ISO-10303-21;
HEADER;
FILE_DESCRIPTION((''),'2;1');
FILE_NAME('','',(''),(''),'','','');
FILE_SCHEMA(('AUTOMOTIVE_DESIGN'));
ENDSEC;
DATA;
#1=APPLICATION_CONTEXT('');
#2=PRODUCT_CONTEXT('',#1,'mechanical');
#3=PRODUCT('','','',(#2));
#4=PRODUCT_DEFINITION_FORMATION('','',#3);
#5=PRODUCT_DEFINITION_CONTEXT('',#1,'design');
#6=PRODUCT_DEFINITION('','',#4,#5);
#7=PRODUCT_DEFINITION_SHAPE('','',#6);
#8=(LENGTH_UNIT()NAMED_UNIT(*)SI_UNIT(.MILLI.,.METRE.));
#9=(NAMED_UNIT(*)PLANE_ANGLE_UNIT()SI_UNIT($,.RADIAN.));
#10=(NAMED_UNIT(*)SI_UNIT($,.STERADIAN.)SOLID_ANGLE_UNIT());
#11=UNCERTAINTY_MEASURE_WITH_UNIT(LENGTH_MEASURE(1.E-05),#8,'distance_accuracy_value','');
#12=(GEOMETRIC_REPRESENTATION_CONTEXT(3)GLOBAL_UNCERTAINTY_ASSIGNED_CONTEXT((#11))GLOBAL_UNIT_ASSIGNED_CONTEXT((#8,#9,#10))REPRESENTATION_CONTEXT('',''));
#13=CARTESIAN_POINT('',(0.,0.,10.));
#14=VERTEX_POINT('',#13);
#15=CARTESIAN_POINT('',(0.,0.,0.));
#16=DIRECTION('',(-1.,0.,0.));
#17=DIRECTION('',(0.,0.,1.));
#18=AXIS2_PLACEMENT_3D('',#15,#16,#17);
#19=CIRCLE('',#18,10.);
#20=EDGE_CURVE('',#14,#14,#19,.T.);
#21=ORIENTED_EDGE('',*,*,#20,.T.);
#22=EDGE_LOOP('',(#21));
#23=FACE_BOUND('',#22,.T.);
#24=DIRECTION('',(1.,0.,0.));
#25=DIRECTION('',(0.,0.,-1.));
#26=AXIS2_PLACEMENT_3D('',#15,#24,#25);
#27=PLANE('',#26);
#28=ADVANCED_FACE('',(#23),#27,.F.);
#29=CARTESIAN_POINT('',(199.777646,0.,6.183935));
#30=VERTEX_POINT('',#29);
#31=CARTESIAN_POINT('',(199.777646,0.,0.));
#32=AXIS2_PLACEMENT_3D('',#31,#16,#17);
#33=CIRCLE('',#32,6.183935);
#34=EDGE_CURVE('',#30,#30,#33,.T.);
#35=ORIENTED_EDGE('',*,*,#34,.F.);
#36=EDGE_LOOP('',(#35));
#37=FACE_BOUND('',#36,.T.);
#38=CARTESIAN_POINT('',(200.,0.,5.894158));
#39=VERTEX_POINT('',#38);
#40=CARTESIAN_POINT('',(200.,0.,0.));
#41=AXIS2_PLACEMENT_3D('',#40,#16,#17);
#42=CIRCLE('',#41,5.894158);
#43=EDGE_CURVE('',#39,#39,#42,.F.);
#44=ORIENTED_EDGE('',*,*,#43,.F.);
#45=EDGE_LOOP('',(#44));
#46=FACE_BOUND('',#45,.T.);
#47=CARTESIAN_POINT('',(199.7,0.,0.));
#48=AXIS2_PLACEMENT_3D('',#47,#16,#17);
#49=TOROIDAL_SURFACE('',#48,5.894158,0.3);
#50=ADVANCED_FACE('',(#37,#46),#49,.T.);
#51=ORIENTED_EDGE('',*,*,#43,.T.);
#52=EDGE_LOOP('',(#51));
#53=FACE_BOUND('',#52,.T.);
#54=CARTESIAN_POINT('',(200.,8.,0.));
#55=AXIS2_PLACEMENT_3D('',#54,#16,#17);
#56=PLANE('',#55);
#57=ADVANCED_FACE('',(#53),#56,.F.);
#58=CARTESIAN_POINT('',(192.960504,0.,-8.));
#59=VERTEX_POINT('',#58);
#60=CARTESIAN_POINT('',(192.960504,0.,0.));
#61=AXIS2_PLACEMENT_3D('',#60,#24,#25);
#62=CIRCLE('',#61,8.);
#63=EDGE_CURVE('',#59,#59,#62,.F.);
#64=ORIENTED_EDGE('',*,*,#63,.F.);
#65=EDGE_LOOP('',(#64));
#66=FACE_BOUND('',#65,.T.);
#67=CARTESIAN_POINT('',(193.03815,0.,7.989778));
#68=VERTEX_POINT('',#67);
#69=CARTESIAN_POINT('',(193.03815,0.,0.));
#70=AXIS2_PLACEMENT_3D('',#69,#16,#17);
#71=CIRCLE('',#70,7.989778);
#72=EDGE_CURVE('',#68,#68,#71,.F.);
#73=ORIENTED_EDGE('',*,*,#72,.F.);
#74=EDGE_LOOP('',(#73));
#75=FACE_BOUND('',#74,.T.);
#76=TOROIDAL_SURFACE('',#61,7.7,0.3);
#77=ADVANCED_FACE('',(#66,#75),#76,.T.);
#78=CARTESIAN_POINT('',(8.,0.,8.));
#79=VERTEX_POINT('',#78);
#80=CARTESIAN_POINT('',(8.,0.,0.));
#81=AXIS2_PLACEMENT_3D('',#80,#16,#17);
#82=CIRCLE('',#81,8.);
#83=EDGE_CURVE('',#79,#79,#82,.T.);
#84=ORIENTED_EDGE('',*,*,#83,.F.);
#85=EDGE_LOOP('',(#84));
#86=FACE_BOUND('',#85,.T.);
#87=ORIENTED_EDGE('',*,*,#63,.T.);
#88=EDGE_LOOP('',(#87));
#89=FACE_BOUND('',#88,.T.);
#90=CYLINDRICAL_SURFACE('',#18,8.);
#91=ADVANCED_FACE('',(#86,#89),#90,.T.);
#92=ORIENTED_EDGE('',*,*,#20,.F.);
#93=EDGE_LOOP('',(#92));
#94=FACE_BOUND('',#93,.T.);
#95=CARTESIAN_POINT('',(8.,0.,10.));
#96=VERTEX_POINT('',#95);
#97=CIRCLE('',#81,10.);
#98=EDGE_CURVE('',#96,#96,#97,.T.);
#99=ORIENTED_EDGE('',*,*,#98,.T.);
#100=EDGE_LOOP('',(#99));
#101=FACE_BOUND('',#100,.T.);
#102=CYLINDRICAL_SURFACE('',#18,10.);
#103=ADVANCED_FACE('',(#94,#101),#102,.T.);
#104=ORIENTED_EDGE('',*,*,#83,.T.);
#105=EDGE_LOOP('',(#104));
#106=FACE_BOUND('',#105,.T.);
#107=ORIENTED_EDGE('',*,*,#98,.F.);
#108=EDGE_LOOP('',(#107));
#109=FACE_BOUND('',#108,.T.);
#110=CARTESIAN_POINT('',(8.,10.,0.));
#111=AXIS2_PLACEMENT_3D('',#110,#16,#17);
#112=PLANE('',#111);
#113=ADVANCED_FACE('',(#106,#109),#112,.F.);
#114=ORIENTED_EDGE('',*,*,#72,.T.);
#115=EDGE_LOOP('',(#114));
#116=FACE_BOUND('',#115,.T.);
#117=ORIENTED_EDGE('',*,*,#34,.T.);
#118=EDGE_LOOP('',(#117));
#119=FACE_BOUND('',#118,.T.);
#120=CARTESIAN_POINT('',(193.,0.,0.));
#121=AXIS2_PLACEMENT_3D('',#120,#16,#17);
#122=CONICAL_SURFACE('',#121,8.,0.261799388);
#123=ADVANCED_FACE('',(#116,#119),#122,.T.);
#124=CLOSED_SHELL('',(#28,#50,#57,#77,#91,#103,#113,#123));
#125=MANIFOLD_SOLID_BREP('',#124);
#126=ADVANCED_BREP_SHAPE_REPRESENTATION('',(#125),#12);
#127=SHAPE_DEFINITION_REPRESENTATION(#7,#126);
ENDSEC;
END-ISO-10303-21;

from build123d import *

# Parameters (mm, degrees)
CHAMFER1_SIZE  = 7
CHAMFER1_SIZE2 = 1.875644347
FILLET1_R      = 0.3


with BuildPart() as part:
    # Sketch1 → Revolve1 (revolve)
    with BuildSketch(Plane.XY, mode=Mode.PRIVATE) as revolve1_sk:
        Polygon((0, 0), (200, 0), (200, 8), (8, 8), (8, 10), (0, 10), align=None)
    revolve(revolve1_sk.sketch.rotate(Axis((0, 0, 0), (1, 0, 0)), 90), axis=Axis((0, 0, 0), (1, 0, 0)))

    # Chamfer1
    chamfer1_edges = [part.edges().sort_by_distance(p)[0] for p in [
        (200, 0, -8),
    ]]
    chamfer1_side = [part.faces().sort_by_distance(p)[0] for p in [
        (104, 0, -8),
    ]]
    chamfer(chamfer1_edges, length=CHAMFER1_SIZE, length2=CHAMFER1_SIZE2, reference=chamfer1_side[0])

    # Fillet1
    fillet1_edges = [part.edges().sort_by_distance(p)[0] for p in [
        (193, 0, -8),
        (200, 0, -6.124355653),
    ]]
    fillet(fillet1_edges, radius=FILLET1_R)


solid = part.part
